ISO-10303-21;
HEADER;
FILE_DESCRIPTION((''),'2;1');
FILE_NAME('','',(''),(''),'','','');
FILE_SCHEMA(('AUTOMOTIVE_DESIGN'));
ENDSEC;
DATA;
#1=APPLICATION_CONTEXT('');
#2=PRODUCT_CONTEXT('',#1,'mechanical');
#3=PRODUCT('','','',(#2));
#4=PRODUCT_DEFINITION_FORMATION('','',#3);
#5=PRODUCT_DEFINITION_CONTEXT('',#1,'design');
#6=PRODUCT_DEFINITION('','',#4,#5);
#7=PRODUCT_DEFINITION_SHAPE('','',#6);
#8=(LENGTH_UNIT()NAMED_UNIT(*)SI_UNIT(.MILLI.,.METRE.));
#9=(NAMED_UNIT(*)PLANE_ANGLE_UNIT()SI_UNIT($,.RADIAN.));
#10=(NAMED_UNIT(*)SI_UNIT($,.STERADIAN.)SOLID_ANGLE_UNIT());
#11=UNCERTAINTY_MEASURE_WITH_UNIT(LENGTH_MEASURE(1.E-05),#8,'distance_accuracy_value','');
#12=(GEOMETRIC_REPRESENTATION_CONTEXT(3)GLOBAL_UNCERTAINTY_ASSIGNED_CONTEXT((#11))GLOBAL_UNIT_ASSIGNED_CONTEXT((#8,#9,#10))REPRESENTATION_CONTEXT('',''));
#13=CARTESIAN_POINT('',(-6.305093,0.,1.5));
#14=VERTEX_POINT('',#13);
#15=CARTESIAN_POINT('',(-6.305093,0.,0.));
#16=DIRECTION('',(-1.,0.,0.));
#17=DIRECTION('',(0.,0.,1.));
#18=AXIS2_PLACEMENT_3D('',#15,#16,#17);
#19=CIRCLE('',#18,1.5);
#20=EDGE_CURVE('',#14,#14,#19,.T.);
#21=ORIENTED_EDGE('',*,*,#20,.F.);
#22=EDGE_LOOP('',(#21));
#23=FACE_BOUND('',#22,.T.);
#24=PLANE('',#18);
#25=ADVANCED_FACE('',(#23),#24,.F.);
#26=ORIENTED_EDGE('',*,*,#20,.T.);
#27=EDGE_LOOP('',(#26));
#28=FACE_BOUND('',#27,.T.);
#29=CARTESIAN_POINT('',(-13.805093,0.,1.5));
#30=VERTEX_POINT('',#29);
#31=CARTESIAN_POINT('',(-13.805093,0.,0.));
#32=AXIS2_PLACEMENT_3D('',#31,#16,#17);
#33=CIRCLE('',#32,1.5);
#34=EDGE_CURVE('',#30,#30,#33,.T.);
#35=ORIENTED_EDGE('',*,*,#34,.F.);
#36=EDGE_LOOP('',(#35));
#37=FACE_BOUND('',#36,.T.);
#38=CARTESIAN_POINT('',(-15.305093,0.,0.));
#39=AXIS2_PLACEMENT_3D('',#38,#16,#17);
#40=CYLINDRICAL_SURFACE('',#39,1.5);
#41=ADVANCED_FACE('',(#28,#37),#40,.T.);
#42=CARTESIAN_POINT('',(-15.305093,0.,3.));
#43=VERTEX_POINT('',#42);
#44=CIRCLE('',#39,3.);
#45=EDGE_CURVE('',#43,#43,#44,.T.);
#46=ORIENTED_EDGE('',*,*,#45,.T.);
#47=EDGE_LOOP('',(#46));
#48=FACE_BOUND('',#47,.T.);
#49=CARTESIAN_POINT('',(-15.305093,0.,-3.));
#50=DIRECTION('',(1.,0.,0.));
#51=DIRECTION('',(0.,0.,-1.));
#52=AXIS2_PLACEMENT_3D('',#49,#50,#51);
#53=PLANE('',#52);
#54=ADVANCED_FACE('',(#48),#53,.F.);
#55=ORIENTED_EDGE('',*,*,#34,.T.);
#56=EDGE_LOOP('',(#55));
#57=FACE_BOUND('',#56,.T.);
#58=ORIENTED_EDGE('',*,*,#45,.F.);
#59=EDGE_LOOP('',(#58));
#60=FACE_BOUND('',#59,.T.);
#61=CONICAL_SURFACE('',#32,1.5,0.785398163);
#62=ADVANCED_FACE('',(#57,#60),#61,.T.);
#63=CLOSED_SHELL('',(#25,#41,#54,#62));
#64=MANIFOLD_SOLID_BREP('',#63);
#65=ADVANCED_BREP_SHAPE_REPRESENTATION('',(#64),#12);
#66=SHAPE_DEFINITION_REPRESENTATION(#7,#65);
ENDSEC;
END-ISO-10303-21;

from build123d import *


with BuildPart() as part:
    # 草图1 → 旋转3 (revolve)
    with BuildSketch(Plane(origin=(0, 0, 0), x_dir=(1, 0, 0), z_dir=(0, 1, 0)), mode=Mode.PRIVATE) as revolve_3_sk:
        Polygon((-15.305092913, 0), (-6.305092913, 0), (-6.305092913, 1.5), (-13.805092913, 1.5), (-15.305092913, 3), align=None)
    revolve(revolve_3_sk.sketch.rotate(Axis((-15.305092913, 0, 0), (1, 0, 0)), 180), axis=Axis((-15.305092913, 0, 0), (1, 0, 0)))


solid = part.part
